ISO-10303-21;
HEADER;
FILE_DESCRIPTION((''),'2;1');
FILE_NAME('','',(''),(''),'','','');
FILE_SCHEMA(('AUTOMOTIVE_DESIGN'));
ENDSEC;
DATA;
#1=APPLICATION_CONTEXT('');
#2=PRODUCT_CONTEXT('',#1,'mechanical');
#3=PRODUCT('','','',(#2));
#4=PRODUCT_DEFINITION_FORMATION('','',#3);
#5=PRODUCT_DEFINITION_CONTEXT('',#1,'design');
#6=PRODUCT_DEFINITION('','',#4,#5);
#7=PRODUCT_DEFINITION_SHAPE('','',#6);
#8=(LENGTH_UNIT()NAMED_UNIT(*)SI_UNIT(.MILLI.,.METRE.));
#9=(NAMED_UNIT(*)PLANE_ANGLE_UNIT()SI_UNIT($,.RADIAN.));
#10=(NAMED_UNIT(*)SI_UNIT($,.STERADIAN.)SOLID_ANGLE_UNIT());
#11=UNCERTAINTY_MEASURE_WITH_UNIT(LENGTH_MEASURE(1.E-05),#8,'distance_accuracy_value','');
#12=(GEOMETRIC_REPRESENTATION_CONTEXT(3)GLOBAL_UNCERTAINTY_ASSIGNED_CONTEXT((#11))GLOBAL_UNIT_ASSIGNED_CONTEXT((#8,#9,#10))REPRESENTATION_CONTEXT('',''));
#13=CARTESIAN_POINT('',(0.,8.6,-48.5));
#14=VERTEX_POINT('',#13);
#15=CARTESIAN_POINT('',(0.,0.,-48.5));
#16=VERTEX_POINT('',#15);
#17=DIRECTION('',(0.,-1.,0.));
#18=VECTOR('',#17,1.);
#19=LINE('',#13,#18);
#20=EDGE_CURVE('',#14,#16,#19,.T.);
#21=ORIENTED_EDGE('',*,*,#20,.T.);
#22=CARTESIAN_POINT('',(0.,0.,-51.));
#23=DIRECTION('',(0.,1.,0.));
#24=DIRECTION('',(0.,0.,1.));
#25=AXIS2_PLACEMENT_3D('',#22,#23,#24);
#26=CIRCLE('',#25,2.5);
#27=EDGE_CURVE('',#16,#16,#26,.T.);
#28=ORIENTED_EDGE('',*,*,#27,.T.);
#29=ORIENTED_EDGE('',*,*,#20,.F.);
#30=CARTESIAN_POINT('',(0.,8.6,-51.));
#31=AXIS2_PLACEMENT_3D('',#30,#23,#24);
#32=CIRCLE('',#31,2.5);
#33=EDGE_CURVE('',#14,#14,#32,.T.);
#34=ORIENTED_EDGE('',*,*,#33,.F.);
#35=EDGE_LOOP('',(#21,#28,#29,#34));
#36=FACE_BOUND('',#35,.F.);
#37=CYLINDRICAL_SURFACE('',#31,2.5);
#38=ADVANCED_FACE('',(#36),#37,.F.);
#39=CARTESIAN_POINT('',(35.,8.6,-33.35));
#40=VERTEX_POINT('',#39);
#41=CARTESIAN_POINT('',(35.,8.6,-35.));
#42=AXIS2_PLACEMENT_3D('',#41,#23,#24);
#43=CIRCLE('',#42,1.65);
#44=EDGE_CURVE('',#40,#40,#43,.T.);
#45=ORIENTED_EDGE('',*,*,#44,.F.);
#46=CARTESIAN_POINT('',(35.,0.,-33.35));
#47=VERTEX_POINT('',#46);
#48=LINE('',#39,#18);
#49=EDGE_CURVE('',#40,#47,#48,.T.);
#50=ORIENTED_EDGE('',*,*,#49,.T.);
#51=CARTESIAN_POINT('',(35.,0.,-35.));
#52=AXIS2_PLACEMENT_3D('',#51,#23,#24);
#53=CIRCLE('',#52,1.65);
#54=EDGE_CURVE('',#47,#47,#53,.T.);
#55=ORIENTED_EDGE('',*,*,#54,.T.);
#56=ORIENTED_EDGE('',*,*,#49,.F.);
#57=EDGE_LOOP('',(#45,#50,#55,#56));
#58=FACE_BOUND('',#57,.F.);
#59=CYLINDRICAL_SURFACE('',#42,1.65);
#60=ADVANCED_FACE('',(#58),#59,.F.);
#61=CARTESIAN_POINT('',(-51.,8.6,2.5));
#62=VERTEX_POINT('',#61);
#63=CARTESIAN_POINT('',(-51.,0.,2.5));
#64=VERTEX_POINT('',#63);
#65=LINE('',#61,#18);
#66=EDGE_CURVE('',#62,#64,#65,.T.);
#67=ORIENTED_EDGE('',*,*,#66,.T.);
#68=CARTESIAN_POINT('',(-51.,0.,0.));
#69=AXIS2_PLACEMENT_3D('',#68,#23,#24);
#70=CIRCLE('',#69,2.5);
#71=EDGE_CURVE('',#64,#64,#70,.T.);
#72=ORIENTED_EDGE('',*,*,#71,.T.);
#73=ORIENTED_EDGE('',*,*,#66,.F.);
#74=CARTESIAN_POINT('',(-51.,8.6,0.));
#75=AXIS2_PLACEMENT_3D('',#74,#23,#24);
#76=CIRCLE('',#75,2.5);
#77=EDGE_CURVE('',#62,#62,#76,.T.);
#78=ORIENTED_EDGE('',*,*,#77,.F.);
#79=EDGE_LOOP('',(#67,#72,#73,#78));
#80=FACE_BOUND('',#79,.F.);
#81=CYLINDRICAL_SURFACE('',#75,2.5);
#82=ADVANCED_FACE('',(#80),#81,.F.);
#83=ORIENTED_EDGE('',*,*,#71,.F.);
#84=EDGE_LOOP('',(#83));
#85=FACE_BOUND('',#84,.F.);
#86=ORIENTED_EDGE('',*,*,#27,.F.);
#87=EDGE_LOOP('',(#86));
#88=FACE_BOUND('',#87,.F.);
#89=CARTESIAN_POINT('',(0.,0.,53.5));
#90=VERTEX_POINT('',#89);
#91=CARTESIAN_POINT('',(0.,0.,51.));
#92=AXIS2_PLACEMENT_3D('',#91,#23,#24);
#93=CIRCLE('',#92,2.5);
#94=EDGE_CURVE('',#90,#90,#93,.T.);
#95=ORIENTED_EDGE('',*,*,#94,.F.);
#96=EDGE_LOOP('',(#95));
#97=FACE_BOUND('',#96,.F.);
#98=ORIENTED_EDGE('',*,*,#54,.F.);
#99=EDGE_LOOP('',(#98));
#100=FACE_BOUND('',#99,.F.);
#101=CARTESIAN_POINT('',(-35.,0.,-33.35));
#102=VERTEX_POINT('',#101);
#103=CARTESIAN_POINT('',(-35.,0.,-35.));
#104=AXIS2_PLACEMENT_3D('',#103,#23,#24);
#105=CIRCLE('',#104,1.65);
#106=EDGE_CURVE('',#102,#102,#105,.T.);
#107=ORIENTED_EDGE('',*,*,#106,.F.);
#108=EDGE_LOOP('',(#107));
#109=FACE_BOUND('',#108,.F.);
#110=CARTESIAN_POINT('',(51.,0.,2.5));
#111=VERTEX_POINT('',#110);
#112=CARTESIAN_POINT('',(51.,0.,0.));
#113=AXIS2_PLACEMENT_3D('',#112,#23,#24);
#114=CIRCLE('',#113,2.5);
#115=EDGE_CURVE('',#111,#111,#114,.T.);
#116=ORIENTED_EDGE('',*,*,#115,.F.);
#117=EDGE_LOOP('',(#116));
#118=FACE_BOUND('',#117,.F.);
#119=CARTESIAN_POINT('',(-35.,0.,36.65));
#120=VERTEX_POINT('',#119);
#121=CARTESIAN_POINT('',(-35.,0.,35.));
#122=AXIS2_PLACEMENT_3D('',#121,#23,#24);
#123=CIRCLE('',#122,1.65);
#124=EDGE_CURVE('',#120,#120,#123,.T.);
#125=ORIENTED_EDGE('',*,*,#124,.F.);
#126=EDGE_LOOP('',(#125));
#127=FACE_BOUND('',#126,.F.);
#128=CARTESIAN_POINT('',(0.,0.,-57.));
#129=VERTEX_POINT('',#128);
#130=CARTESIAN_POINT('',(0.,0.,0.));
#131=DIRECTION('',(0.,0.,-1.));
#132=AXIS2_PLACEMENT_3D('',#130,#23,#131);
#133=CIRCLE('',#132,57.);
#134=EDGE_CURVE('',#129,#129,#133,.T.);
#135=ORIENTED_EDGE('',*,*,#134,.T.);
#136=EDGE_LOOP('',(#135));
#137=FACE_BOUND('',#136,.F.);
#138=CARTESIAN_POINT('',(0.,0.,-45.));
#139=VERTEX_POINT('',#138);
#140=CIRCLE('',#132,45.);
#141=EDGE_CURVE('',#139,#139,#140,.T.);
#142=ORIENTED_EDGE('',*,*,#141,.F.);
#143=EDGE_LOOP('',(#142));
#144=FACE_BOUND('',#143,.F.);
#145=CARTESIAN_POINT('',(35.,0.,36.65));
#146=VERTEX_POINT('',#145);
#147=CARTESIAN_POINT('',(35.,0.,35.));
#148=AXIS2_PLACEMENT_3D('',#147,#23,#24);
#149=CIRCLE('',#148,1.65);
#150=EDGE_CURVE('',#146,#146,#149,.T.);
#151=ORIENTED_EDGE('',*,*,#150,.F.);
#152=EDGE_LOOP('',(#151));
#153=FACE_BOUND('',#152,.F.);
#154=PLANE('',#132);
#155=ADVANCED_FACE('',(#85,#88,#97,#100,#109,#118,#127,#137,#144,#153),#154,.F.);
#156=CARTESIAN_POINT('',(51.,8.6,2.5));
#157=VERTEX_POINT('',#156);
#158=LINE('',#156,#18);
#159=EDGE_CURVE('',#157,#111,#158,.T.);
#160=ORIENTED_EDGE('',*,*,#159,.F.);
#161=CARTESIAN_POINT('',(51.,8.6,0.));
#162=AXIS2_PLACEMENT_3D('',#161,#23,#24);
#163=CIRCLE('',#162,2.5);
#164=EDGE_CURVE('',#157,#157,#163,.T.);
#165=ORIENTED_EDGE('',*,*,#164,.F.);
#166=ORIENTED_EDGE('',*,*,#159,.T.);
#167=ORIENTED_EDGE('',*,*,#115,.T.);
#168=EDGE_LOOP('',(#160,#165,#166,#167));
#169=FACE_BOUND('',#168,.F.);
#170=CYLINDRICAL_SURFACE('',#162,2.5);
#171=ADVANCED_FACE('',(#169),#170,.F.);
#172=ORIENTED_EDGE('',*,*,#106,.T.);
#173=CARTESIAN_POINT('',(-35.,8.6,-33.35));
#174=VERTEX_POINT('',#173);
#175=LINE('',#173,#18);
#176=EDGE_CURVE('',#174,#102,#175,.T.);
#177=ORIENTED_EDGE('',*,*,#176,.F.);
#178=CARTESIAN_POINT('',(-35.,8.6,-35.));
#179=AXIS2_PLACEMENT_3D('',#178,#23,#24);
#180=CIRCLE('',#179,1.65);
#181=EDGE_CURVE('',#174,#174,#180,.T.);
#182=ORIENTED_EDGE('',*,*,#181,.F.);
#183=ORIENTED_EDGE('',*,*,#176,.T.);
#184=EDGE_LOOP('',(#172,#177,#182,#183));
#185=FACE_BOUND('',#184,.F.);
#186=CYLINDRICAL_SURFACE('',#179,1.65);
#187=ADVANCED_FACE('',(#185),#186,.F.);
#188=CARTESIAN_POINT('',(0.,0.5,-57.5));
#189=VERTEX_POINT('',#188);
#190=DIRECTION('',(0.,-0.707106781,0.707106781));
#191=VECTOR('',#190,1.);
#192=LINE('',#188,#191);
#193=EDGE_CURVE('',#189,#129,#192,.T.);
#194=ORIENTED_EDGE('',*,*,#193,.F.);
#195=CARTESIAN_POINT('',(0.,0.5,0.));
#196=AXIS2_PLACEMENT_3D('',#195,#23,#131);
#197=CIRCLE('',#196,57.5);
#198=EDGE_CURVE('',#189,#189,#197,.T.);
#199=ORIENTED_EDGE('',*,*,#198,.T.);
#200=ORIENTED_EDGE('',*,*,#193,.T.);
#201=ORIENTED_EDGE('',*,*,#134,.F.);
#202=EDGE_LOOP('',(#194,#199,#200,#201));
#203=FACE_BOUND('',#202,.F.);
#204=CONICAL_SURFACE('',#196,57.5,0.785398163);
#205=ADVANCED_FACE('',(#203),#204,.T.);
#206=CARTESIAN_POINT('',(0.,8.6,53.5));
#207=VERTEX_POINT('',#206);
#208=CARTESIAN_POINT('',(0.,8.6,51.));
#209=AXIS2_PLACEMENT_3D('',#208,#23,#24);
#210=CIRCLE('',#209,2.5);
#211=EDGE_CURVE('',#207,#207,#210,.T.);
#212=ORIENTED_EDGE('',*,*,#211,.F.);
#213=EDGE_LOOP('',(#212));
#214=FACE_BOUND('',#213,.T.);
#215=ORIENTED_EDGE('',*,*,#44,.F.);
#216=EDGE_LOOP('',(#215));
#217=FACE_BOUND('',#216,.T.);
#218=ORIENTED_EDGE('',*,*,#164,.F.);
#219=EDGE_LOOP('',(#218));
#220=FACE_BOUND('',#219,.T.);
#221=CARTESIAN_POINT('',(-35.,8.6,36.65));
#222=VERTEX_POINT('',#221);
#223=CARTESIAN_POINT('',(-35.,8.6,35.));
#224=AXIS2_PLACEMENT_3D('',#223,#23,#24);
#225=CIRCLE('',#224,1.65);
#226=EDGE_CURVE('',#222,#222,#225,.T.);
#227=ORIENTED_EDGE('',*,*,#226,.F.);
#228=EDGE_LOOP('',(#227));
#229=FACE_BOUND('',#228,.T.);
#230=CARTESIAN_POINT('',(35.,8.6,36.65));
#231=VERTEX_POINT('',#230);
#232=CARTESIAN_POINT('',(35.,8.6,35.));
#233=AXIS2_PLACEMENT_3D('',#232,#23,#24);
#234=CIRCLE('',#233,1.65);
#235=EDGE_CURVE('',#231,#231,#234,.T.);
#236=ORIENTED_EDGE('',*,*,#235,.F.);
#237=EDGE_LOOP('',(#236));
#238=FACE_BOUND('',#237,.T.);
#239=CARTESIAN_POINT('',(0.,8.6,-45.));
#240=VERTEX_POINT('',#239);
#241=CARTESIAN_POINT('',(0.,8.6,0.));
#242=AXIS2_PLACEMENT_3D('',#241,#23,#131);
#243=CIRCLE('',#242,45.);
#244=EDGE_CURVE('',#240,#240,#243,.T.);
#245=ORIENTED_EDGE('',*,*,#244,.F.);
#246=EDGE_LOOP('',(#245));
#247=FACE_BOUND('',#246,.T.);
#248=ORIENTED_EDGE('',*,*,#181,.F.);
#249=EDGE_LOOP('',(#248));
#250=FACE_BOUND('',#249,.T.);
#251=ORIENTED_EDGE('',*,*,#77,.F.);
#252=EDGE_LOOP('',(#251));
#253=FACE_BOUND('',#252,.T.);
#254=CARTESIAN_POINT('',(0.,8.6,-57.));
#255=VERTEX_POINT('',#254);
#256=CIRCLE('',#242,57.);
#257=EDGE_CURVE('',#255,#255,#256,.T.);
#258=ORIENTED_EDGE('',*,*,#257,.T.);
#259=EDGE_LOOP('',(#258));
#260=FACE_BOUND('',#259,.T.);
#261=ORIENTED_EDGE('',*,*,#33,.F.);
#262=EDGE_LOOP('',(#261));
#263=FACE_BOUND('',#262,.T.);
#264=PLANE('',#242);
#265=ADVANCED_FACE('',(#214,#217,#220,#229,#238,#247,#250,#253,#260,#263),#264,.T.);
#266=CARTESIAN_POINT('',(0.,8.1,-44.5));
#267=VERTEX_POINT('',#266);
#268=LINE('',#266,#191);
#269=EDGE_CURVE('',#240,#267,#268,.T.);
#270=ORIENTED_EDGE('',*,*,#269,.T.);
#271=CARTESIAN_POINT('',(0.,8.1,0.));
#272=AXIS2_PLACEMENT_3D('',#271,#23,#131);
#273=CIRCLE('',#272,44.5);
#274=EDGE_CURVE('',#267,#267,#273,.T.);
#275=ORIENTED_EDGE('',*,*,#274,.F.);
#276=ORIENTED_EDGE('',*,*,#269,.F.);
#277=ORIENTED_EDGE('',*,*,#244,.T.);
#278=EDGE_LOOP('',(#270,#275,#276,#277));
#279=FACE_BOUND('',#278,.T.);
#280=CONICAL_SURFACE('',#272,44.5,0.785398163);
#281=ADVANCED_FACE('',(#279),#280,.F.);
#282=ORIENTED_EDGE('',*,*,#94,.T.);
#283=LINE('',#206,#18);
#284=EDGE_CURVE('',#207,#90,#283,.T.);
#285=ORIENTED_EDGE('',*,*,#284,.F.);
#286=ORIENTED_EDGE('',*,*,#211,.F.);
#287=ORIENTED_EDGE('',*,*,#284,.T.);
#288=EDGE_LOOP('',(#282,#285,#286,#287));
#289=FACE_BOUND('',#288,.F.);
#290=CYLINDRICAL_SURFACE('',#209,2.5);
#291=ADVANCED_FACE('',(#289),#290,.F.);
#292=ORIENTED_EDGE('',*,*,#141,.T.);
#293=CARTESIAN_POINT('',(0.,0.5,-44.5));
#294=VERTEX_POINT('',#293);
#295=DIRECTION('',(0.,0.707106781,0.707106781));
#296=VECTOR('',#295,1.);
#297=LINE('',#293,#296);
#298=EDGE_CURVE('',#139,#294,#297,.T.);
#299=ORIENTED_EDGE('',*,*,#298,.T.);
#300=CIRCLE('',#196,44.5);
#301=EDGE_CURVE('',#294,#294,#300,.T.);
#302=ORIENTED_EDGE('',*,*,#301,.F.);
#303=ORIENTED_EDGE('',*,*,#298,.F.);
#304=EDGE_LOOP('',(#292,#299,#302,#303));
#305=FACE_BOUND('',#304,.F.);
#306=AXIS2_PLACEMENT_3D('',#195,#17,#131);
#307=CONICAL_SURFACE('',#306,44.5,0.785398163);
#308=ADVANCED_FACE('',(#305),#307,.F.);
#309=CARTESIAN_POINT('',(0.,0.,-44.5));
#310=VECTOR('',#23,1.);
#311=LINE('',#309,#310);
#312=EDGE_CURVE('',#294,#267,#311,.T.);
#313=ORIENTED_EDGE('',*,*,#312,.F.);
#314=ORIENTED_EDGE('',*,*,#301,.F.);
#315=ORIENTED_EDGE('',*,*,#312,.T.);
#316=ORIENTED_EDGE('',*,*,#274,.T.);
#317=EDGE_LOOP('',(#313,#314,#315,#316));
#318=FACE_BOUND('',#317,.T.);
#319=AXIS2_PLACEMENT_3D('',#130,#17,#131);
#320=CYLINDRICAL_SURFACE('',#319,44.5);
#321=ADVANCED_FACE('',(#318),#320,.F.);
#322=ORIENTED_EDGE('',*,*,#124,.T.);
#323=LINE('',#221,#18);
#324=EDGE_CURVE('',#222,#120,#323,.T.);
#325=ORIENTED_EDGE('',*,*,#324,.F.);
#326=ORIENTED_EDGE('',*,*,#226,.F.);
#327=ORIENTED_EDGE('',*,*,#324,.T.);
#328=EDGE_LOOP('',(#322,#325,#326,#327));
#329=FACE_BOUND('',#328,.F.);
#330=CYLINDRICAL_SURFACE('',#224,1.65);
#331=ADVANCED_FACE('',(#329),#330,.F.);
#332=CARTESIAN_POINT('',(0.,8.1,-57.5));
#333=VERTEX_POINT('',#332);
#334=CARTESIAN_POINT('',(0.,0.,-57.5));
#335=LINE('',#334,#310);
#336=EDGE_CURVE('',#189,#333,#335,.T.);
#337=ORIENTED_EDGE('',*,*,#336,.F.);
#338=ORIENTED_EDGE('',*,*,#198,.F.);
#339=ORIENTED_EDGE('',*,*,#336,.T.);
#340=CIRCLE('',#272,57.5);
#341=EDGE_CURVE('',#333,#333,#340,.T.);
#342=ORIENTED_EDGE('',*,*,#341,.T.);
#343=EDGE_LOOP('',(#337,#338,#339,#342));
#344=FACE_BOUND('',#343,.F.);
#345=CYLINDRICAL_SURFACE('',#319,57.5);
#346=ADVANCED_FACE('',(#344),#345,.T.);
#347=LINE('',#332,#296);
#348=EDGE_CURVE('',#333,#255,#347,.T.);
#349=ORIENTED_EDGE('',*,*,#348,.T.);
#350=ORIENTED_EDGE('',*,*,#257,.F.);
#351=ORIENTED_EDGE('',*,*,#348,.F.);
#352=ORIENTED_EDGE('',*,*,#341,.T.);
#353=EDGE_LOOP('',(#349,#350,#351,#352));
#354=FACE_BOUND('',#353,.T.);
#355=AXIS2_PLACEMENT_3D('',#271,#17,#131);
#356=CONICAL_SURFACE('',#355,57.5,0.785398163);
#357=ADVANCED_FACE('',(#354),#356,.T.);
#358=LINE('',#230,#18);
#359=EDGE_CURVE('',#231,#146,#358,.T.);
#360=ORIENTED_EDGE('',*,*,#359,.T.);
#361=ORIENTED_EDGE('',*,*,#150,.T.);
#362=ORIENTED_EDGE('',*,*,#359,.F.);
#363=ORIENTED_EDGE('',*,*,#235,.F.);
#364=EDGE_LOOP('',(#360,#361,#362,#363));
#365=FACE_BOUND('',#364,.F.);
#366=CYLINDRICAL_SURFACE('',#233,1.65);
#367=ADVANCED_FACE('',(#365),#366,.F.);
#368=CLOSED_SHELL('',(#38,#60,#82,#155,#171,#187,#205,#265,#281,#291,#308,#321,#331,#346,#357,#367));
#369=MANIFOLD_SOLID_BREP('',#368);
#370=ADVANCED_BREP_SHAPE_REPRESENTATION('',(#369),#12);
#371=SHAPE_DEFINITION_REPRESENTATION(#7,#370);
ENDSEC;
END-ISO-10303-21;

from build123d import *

# Parameters (mm, degrees)
SKETCH_1_R          = 57.5
SKETCH_1_R_2        = 44.5
EXTRUDE_1_DEPTH     = 8.6
SKETCH_2_R          = 2.5
CUT_EXTRUDE_1_DEPTH = 82.770777176
CHAMFER_1_SIZE      = 0.5
SKETCH_3_R          = 1.65
CUT_EXTRUDE_2_DEPTH = 82.770777176


with BuildPart() as part:
    # ｽｹｯﾁ1 → ﾎﾞｽ - 押し出し1 (new body)
    with BuildSketch(Plane(origin=(0, 0, 0), x_dir=(1, 0, 0), z_dir=(0, 1, 0))):
        with Locations(Location((0, 0, 0), (0, 0, 90))):
            Circle(SKETCH_1_R)
        with Locations(Location((0, 0, 0), (0, 0, 90))):
            Circle(SKETCH_1_R_2, mode=Mode.SUBTRACT)
    extrude(amount=EXTRUDE_1_DEPTH)

    # ｽｹｯﾁ2 → ｶｯﾄ - 押し出し1 (cut, through all)
    with BuildSketch(Plane(origin=(0, 8.6, 0), x_dir=(1, 0, 0), z_dir=(0, 1, 0))):
        with Locations(Location((-51, 0, 0), (0, 0, 270))):
            Circle(SKETCH_2_R)
        with Locations(Location((0, 51, 0), (0, 0, 270))):
            Circle(SKETCH_2_R)
        with Locations(Location((51, 0, 0), (0, 0, 270))):
            Circle(SKETCH_2_R)
        with Locations(Location((0, -51, 0), (0, 0, 270))):
            Circle(SKETCH_2_R)
    extrude(amount=-CUT_EXTRUDE_1_DEPTH, mode=Mode.SUBTRACT)

    # 面取り1
    chamfer_1_edges = [part.edges().sort_by_distance(p)[0] for p in [
        (0, 0, 57.5),
        (0, 8.6, 57.5),
        (0, 0, 44.5),
        (0, 8.6, 44.5),
    ]]
    chamfer(chamfer_1_edges, length=CHAMFER_1_SIZE)

    # ｽｹｯﾁ3 → ｶｯﾄ - 押し出し2 (cut, through all)
    with BuildSketch(Plane(origin=(0, 8.6, 0), x_dir=(1, 0, 0), z_dir=(0, 1, 0))):
        with Locations(Location((-35, 35, 0), (0, 0, 270))):
            Circle(SKETCH_3_R)
        with Locations(Location((-35, -35, 0), (0, 0, 270))):
            Circle(SKETCH_3_R)
        with Locations(Location((35, -35, 0), (0, 0, 270))):
            Circle(SKETCH_3_R)
        with Locations(Location((35, 35, 0), (0, 0, 270))):
            Circle(SKETCH_3_R)
    extrude(amount=-CUT_EXTRUDE_2_DEPTH, mode=Mode.SUBTRACT)


solid = part.part
